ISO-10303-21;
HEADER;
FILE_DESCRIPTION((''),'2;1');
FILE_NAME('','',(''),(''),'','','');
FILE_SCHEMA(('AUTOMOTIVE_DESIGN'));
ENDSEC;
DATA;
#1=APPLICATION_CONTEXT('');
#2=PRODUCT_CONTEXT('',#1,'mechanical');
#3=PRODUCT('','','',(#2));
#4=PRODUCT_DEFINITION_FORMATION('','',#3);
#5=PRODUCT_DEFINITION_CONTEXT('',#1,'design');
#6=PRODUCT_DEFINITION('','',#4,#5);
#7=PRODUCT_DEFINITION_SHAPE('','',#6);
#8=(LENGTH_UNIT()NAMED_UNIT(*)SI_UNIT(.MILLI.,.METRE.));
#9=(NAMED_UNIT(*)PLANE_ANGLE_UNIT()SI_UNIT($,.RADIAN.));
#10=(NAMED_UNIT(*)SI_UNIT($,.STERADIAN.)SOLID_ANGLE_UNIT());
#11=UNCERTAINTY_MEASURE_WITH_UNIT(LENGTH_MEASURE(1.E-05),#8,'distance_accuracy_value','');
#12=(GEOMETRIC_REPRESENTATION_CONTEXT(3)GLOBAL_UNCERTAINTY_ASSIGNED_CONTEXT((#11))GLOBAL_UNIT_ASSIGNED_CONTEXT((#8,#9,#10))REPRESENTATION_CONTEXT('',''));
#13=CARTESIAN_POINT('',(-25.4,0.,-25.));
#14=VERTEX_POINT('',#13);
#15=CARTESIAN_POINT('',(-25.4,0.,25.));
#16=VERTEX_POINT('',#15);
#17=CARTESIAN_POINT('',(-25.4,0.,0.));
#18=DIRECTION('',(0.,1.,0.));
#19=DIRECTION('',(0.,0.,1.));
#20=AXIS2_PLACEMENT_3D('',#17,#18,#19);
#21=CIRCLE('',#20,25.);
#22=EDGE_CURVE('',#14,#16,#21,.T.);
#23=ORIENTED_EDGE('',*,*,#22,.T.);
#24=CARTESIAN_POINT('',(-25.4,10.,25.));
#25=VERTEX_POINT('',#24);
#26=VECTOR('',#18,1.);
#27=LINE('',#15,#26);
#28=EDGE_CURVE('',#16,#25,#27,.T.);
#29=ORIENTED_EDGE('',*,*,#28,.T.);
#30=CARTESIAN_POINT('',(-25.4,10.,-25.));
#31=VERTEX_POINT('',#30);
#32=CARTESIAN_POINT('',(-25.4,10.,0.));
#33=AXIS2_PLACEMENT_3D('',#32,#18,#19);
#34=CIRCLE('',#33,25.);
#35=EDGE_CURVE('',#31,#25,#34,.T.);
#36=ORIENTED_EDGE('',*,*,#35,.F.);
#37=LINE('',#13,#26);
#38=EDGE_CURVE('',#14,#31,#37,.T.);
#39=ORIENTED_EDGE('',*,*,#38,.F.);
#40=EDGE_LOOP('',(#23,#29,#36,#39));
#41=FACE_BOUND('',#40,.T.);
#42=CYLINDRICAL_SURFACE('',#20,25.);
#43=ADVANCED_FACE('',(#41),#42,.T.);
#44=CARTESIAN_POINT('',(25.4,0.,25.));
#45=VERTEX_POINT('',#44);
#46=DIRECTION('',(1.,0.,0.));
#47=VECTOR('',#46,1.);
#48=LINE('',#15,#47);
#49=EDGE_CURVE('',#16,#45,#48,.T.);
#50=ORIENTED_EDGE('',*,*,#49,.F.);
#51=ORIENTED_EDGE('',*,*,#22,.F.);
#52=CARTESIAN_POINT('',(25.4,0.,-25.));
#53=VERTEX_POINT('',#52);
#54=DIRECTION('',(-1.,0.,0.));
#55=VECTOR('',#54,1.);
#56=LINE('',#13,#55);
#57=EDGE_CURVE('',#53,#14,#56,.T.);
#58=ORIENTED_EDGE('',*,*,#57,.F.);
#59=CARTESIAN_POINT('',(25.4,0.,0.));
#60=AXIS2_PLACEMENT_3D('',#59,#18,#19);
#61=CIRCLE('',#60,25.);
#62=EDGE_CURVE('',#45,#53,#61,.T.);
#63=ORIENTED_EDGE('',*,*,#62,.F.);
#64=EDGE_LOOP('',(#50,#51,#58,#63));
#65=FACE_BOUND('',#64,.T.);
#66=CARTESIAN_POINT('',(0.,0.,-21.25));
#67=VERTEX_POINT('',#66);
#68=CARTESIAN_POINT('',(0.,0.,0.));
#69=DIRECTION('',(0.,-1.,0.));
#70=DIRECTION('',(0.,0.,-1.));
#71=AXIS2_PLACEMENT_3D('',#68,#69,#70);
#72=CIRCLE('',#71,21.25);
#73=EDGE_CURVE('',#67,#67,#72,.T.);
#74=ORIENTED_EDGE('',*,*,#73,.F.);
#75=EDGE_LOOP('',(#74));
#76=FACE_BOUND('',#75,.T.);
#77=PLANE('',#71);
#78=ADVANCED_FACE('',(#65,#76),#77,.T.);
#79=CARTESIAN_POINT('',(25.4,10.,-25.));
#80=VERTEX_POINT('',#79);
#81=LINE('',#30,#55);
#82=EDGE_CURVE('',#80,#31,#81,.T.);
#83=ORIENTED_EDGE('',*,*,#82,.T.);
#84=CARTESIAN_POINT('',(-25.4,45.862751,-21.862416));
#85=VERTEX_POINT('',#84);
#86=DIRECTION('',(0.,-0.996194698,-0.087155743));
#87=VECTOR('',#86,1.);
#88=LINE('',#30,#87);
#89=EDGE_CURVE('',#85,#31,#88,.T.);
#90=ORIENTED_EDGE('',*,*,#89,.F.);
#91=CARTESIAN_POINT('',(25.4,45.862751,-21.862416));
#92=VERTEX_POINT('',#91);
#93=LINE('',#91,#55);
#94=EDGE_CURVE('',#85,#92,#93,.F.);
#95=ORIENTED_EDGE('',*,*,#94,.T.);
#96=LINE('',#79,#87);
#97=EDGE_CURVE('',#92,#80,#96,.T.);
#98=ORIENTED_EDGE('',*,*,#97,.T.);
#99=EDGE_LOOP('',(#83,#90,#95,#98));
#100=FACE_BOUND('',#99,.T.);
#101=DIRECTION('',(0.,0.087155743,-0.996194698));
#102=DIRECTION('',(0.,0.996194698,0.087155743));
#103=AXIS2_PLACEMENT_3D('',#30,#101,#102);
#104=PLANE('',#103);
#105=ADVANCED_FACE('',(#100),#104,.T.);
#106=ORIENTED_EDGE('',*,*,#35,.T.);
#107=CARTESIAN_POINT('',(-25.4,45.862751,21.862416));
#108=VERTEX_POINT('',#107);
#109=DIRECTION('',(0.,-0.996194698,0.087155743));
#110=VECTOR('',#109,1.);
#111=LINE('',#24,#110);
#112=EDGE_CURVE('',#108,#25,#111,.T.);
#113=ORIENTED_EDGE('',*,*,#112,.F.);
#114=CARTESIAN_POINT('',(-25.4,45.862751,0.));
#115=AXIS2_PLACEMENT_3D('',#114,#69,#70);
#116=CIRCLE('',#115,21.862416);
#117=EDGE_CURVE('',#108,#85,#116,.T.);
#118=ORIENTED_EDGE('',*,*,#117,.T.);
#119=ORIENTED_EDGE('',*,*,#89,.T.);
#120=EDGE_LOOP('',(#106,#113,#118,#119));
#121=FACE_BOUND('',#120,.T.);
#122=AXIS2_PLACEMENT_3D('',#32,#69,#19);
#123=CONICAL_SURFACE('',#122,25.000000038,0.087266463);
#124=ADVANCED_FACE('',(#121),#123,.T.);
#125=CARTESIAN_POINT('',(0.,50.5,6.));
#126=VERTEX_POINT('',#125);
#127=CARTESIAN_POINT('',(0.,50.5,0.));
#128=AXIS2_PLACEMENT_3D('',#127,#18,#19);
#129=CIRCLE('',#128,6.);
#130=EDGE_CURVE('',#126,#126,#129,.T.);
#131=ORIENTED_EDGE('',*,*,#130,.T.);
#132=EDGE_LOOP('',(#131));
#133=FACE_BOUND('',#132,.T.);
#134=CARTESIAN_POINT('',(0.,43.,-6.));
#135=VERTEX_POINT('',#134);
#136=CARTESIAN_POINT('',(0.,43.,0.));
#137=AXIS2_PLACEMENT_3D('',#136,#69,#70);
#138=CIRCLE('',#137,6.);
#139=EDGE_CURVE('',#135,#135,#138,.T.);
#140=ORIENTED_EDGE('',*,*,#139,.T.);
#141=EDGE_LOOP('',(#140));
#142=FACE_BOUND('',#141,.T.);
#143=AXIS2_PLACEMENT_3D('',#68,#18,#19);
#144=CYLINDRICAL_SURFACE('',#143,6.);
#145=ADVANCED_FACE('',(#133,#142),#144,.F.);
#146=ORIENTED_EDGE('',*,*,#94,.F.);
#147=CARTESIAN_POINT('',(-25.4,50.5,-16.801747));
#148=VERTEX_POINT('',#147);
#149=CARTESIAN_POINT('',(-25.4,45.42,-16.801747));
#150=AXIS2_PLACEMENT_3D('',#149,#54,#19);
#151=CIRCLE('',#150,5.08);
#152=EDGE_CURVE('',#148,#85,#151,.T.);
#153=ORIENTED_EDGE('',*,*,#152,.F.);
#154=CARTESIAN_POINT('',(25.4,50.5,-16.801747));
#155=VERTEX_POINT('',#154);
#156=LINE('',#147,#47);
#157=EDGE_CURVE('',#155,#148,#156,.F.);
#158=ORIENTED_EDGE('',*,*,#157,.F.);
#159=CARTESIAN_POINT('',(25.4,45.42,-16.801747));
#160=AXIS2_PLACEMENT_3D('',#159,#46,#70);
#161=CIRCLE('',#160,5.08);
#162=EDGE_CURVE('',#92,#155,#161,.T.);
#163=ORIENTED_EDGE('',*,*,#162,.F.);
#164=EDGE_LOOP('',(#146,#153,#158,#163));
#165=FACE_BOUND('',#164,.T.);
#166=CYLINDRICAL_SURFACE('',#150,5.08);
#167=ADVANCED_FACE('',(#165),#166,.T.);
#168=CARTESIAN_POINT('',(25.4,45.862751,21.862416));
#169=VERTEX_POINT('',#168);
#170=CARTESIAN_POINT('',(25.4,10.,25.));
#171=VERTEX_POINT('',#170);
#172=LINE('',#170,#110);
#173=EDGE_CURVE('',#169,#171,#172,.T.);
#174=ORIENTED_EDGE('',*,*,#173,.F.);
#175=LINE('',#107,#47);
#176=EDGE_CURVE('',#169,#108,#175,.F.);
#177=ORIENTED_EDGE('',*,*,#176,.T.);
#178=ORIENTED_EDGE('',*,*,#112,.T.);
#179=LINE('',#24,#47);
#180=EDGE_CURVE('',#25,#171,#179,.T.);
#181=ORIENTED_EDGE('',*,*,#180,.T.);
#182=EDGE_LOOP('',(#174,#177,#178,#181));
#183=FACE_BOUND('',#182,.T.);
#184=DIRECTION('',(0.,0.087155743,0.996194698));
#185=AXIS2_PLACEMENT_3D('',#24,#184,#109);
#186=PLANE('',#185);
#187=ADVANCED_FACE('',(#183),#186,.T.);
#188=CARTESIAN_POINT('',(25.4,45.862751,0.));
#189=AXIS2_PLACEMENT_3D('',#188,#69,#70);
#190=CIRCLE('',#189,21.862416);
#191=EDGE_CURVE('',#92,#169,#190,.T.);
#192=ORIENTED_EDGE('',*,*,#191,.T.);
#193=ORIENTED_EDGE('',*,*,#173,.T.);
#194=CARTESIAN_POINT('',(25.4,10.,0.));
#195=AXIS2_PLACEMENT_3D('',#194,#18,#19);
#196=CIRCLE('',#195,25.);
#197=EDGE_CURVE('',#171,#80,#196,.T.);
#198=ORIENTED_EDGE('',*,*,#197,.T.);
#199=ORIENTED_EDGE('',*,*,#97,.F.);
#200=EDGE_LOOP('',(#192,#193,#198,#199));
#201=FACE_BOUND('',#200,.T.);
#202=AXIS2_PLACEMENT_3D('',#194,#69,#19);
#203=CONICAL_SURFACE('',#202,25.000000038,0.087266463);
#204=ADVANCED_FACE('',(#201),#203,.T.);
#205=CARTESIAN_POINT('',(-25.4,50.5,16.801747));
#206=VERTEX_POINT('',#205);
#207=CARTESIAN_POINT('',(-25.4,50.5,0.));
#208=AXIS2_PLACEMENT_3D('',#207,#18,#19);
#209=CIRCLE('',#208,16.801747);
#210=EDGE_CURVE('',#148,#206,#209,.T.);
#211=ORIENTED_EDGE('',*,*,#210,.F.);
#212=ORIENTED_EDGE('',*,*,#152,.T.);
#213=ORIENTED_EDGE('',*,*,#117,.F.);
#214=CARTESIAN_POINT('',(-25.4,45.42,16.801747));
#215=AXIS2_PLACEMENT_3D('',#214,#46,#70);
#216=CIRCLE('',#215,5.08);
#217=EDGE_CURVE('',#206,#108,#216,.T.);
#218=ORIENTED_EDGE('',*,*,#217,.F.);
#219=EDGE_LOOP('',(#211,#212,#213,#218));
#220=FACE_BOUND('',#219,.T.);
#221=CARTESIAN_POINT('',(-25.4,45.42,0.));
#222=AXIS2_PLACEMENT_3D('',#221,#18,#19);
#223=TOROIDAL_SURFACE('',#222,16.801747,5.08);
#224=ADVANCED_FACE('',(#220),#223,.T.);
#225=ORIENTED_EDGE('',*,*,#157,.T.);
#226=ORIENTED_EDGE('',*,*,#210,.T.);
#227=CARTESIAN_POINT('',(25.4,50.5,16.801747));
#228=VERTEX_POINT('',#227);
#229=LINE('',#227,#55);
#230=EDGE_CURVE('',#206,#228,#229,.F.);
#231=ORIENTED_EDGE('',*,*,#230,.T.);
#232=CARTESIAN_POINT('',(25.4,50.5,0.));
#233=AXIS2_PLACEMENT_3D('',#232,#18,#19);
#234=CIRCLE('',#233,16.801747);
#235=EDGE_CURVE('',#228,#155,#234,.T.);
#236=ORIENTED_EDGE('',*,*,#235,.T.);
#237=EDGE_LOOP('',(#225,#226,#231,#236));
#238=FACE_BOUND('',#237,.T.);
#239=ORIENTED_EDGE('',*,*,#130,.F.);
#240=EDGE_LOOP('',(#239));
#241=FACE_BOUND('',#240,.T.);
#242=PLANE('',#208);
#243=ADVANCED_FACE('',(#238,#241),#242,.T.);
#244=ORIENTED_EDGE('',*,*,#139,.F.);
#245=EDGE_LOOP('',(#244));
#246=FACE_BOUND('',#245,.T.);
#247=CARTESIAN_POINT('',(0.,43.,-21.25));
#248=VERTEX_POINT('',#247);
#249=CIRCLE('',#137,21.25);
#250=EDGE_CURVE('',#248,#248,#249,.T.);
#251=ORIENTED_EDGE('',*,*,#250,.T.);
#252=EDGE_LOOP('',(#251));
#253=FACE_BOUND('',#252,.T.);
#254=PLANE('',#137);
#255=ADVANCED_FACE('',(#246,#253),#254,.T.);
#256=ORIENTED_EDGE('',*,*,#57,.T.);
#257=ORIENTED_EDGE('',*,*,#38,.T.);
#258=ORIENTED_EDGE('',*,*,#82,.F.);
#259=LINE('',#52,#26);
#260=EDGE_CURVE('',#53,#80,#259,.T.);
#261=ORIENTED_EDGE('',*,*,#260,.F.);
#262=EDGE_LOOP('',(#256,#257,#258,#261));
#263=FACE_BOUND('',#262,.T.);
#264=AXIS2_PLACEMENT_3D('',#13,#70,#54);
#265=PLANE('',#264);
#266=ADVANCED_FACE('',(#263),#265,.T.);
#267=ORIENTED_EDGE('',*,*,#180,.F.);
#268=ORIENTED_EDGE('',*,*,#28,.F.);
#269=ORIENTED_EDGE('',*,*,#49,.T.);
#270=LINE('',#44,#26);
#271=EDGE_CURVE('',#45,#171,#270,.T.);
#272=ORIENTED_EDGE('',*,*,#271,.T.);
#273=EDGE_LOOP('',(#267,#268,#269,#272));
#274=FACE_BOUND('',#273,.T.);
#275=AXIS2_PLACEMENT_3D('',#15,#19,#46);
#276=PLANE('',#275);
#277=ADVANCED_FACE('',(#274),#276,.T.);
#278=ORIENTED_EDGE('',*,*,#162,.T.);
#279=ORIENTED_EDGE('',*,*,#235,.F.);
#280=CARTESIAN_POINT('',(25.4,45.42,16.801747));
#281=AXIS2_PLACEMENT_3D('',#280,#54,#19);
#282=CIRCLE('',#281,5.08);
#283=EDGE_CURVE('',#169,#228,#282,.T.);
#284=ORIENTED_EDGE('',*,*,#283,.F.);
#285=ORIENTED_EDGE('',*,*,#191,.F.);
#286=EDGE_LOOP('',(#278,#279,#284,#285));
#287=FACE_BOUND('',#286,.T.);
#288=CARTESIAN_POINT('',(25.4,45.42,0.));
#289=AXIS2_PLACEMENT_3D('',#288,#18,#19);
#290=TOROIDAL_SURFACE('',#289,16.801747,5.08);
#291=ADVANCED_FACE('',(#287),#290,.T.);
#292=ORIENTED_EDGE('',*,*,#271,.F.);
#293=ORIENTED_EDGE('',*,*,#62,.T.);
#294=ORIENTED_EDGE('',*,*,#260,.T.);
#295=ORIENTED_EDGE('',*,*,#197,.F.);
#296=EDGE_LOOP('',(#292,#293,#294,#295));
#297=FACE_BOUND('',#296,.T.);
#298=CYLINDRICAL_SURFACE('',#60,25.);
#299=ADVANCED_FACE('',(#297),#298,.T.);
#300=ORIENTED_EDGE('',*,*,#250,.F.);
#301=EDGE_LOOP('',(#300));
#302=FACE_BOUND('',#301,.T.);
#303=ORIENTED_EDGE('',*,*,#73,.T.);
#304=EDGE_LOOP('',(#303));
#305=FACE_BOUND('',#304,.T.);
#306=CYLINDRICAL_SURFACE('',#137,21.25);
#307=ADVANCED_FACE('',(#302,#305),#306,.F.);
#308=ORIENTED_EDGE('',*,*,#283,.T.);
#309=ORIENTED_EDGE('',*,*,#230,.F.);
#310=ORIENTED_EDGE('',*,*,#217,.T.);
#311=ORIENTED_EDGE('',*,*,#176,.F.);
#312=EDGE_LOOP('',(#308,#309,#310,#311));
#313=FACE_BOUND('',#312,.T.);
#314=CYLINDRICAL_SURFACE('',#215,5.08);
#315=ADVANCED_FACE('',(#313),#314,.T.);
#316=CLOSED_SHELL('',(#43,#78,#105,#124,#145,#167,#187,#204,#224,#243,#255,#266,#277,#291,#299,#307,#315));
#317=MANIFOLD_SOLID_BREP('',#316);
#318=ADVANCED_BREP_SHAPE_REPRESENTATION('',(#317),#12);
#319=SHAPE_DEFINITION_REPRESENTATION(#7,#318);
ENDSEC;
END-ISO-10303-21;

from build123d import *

# Parameters (mm, degrees)
SKETCH1_W           = 102.87
SKETCH1_H           = 52.07
BOSS_EXTRUDE2_DEPTH = 10
BOSS_EXTRUDE3_DEPTH = 40.5
BOSS_EXTRUDE3_TAPER = 5
SKETCH4_R           = 21.25
CUT_EXTRUDE2_DEPTH  = 43
FILLET1_R           = 5.08
SKETCH5_R           = 6
CUT_EXTRUDE3_DEPTH  = 77.639614104
SKETCH6_OUTSIDE_W   = 130.044
SKETCH6_OUTSIDE_H   = 79.244
CUT_EXTRUDE4_DEPTH  = 71.453037195


with BuildPart() as part:
    # Sketch1 → Boss-Extrude2 (new body)
    with BuildSketch(Plane(origin=(0, 0, 0), x_dir=(1, 0, 0), z_dir=(0, 1, 0))):
        Rectangle(SKETCH1_W, SKETCH1_H)
    extrude(amount=BOSS_EXTRUDE2_DEPTH)

    # Sketch3 → Boss-Extrude3 (add)
    with BuildSketch(Plane(origin=(0, 10, 0), x_dir=(1, 0, 0), z_dir=(0, 1, 0))):
        with BuildLine():
            ThreePointArc((-25.4, 25.000000038), (-50.400000038, 0), (-25.4, -25.000000038))
            Line((-25.4, -25.000000038), (25.4, -25.000000038))
            ThreePointArc((25.4, -25.000000038), (50.400000038, 0), (25.4, 25.000000038))
            Line((25.4, 25.000000038), (-25.4, 25.000000038))
        make_face()
    extrude(amount=BOSS_EXTRUDE3_DEPTH, taper=BOSS_EXTRUDE3_TAPER)

    # Sketch4 → Cut-Extrude2 (cut)
    with BuildSketch(Plane.XZ):
        with Locations(Location((0, 0, 0), (0, 0, 270))):
            Circle(SKETCH4_R)
    extrude(amount=-CUT_EXTRUDE2_DEPTH, mode=Mode.SUBTRACT)

    # Fillet1
    fillet1_edges = [part.edges().sort_by_distance(p)[0] for p in [
        (-46.856709165, 50.5, 0),
        (0, 50.5, 21.456709165),
        (46.856709165, 50.5, 0),
        (0, 50.5, -21.456709165),
    ]]
    fillet(fillet1_edges, radius=FILLET1_R)

    # Sketch5 → Cut-Extrude3 (cut, through all)
    with BuildSketch(Plane(origin=(0, 50.5, 0), x_dir=(1, 0, 0), z_dir=(0, 1, 0))):
        with Locations(Location((0, 0, 0), (0, 0, 270))):
            Circle(SKETCH5_R)
    extrude(amount=-CUT_EXTRUDE3_DEPTH, mode=Mode.SUBTRACT)

    # Sketch6 outside → Cut-Extrude4 (cut, through all)
    with BuildSketch(Plane(origin=(0, 10, 0), x_dir=(1, 0, 0), z_dir=(0, 1, 0))):
        Rectangle(SKETCH6_OUTSIDE_W, SKETCH6_OUTSIDE_H)
        with BuildLine():
            Line((-25.4, 25.000000038), (25.4, 25.000000038))
            ThreePointArc((25.4, 25.000000038), (50.400000038, 0), (25.4, -25.000000038))
            Line((25.4, -25.000000038), (-25.4, -25.000000038))
            ThreePointArc((-25.4, -25.000000038), (-50.400000038, 0), (-25.4, 25.000000038))
        make_face(mode=Mode.SUBTRACT)
    extrude(amount=-CUT_EXTRUDE4_DEPTH, mode=Mode.SUBTRACT)


solid = part.part
